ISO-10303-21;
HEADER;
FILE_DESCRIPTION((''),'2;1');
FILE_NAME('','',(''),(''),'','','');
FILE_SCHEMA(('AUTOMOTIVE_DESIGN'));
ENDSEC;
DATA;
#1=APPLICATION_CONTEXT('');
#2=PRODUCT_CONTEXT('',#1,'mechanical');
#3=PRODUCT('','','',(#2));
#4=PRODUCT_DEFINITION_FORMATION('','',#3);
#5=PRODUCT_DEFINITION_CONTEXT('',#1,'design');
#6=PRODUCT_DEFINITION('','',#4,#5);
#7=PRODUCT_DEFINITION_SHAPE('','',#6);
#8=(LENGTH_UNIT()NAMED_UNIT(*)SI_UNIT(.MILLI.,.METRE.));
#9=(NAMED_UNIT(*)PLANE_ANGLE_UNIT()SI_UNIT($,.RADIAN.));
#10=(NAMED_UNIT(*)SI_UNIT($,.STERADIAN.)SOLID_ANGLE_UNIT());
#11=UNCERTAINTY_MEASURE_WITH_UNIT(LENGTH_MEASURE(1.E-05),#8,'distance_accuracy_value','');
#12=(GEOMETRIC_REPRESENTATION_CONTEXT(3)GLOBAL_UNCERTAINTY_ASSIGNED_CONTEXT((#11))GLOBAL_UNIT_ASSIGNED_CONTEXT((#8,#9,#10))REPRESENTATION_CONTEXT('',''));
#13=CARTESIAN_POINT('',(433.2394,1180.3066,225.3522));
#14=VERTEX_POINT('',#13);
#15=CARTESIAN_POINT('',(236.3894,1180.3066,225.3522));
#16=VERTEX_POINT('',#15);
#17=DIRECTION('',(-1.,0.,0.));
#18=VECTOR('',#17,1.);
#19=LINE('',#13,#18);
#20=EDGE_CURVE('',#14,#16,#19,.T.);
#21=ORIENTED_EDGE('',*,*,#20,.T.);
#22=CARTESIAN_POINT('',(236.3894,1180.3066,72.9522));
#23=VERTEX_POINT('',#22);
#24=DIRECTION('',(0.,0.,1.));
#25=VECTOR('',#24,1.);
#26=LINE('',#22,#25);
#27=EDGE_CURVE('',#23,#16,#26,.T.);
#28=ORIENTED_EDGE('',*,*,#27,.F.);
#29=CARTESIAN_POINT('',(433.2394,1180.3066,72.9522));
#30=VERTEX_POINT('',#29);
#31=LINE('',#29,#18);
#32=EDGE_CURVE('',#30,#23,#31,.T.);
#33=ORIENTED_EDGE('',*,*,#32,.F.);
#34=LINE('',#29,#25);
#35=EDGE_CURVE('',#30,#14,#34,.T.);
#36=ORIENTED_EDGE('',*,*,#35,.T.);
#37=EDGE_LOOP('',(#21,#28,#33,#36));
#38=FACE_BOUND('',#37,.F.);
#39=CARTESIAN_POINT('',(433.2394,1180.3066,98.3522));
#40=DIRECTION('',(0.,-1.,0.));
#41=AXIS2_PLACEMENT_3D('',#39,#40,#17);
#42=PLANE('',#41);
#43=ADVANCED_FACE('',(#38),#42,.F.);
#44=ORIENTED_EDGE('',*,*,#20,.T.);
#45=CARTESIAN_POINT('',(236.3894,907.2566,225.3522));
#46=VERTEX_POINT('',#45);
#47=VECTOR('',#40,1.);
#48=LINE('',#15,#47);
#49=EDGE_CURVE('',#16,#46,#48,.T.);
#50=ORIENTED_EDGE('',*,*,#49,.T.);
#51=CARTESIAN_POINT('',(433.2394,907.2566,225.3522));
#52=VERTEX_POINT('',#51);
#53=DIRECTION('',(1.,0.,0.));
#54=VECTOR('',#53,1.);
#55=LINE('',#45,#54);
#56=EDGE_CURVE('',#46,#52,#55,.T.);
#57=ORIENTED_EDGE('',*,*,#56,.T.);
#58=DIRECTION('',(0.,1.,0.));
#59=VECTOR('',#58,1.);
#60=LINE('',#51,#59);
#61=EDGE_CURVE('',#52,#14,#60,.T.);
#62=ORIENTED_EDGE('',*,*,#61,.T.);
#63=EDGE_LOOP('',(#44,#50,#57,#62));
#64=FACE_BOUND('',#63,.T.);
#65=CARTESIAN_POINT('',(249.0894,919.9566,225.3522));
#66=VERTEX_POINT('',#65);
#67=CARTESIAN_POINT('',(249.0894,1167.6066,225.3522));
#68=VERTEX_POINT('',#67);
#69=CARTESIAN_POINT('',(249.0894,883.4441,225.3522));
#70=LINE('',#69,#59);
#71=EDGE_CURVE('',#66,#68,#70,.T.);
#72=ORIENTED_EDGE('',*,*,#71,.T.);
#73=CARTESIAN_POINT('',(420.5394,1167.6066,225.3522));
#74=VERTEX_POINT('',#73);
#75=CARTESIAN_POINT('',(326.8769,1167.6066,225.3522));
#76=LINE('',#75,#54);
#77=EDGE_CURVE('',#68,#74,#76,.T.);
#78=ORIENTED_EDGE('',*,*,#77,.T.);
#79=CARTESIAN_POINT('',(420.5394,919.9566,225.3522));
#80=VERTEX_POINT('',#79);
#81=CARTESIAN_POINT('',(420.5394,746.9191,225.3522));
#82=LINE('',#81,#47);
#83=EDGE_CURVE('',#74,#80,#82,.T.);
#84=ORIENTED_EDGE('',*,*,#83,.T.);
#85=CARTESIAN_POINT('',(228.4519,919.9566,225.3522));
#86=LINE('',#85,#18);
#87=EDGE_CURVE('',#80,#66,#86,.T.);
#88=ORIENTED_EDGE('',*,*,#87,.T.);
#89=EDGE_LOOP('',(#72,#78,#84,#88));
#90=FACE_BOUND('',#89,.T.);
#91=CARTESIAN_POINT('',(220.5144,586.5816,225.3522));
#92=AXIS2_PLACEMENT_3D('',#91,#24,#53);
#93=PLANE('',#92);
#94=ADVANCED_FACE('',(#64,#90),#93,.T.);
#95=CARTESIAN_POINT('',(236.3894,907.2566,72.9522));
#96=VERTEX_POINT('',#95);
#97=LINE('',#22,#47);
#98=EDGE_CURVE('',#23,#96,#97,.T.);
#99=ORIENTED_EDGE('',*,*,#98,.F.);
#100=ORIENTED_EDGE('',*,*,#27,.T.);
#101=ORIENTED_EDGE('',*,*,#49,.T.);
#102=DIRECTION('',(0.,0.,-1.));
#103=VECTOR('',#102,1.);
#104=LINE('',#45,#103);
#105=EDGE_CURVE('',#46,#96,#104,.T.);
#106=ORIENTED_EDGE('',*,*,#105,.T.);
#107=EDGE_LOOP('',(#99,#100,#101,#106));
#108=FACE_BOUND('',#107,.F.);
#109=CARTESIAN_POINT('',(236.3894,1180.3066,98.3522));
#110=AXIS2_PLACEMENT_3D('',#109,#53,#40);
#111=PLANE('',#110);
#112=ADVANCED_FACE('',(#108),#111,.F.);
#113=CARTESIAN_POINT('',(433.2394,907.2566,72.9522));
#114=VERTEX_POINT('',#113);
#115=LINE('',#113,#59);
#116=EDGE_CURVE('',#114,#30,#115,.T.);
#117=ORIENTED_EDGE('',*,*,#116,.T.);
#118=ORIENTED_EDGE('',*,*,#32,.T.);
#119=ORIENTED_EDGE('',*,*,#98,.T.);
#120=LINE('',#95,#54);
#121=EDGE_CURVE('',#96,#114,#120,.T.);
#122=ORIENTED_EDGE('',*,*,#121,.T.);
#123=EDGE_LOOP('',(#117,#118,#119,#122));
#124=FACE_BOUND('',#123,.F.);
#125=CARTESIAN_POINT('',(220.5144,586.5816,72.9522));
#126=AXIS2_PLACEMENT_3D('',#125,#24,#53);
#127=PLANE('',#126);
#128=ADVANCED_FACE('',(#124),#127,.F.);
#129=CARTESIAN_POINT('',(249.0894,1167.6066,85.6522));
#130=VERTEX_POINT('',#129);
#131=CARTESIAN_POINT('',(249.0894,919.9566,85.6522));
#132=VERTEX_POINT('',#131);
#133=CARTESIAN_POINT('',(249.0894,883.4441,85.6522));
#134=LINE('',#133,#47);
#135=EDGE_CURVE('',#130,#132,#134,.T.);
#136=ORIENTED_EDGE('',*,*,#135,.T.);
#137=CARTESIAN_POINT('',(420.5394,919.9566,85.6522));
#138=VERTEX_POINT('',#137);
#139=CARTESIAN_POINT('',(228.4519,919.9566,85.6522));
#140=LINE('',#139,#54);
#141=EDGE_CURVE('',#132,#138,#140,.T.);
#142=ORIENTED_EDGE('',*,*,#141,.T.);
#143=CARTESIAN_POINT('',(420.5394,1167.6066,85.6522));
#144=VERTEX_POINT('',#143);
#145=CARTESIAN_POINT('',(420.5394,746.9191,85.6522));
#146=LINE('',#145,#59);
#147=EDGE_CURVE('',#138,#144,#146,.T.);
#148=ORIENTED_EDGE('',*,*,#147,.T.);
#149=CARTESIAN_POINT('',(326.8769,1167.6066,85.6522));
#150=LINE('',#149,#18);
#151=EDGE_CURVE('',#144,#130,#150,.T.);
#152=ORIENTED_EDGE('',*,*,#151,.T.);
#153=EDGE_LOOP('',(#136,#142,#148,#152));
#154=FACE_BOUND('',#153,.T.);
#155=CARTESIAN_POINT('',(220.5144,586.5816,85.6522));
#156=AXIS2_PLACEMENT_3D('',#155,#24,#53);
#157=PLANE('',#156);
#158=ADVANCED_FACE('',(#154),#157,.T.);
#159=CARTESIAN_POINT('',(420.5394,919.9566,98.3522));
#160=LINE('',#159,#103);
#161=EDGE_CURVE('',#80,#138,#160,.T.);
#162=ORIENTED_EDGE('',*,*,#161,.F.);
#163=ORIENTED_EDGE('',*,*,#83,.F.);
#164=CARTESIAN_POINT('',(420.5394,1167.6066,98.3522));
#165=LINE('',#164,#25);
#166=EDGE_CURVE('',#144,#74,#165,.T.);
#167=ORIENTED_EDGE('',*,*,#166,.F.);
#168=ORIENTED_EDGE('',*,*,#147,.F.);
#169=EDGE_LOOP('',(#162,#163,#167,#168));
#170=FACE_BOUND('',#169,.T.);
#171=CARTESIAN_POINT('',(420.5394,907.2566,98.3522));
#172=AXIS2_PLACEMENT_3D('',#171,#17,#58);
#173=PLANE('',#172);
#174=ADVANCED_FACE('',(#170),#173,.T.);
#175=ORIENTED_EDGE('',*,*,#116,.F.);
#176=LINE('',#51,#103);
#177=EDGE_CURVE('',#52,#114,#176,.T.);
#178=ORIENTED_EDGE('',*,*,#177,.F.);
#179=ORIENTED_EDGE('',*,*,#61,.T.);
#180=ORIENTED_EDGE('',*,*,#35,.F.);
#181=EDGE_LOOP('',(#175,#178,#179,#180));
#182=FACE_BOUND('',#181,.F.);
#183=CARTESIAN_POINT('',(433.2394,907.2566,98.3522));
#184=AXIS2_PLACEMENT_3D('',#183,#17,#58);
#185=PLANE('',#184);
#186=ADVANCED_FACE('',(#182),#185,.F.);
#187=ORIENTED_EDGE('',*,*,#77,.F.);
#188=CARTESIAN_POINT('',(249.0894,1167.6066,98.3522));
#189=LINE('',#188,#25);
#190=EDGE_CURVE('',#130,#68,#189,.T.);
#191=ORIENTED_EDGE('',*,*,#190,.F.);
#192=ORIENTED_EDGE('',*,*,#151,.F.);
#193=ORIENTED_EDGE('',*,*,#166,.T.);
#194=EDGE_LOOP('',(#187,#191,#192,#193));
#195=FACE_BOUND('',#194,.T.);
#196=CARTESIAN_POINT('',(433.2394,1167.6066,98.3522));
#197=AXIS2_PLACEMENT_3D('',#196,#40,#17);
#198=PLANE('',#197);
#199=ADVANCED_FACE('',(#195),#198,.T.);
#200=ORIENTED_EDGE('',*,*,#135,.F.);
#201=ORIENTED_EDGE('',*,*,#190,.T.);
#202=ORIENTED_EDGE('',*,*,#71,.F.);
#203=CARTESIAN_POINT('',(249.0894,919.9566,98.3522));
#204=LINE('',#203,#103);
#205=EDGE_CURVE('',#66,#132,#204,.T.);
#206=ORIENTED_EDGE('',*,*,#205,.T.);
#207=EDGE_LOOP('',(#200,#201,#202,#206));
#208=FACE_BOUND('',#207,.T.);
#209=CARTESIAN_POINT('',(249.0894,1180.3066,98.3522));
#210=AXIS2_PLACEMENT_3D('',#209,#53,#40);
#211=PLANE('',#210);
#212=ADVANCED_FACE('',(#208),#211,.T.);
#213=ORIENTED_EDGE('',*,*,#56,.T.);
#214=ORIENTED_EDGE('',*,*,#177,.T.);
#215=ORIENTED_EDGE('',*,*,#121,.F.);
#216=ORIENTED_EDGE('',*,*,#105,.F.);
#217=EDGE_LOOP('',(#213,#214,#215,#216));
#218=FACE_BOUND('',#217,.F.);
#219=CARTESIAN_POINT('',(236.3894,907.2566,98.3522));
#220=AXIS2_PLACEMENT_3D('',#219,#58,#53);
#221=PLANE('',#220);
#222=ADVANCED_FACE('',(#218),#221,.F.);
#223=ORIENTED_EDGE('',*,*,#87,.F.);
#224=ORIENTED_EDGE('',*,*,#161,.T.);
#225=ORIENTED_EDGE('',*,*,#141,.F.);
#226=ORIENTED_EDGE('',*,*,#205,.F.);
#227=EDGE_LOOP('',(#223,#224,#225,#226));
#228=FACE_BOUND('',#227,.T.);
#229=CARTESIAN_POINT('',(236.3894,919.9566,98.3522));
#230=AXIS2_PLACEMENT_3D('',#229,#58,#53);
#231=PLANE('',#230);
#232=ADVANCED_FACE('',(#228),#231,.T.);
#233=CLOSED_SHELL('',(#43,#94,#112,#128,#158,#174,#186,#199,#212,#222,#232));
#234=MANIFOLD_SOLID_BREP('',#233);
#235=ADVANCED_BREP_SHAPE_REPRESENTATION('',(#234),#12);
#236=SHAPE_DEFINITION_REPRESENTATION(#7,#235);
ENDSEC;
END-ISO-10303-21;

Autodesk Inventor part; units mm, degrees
ref_plane "YZ Plane" through (0, 0, 0) normal (1, 0, 0) x (0, 1, 0)
ref_plane "XZ Plane" through (0, 0, 0) normal (0, 1, 0) x (-1, 0, 0)
ref_plane "Work Plane1" through (220.5144, 586.5816, 98.3522) normal (0, 0, 1) x (1, 0, 0)
sketch "Sketch1" plane through (220.5144, 586.5816, 98.3522) normal (0, 0, 1) x (1, 0, 0)
  line L0 (12.7, 622.3) -> (215.9, 622.3)
  line L1 (12.7, 317.5) -> (215.9, 317.5)
  line L2 (241.3, 317.5) -> (241.3, 596.9)
  line L3 (-12.7, 596.9) -> (-12.7, 317.5)
  line L4 (215.9, 596.9) -> (12.7, 596.9)
  line L5 (215.9, 596.9) -> (215.9, 317.5)
  line L6 (12.7, 317.5) -> (12.7, 596.9)
  line L7 (212.725, 593.725) -> (15.875, 593.725)
  line L8 (15.875, 593.725) -> (15.875, 320.675)
  line L9 (15.875, 320.675) -> (212.725, 320.675)
  line L10 (212.725, 320.675) -> (212.725, 593.725)
  point P0 (-220.5144, -586.5816)
extrude "Extrusion1" add sketch "Sketch1" along normal blind 127 and the other way blind 25.4 contours L10 L9 L8 L7
shell "Shell1" thickness 12.7 removed faces 1 at (302.006, 1089.2899, 225.3522)
sketch "Sketch2" plane through (433.2394, 907.2566, 225.3522) normal (1, 0, 0) x (0, 0, -1)
  line L0 (60.7883, 111.5047) -> (60.7883, 157.8998) construction
  line L1 (60.7883, 157.8998) -> (93.4131, 157.8998) construction
  line L2 (93.4131, 157.8998) -> (93.4131, 111.5047) construction
  line L3 (93.4131, 111.5047) -> (60.7883, 111.5047) construction
  line L4 (8.1411, 7.4346) -> (8.1411, 53.8297) construction
  line L5 (8.1411, 53.8297) -> (40.7659, 53.8297) construction
  line L6 (40.7659, 53.8297) -> (40.7659, 7.4346) construction
  line L7 (40.7659, 7.4346) -> (8.1411, 7.4346) construction
  point P0 (225.3522, -907.2566)
sketch "Sketch3" plane through (236.3894, 907.2566, 225.3522) normal (-1, 0, 0) x (0, 0, 1)
  line L0 (-60.5566, 163.513) -> (-60.5566, 117.1179) construction
  line L1 (-60.5566, 117.1179) -> (-93.1814, 117.1179) construction
  line L2 (-93.1814, 117.1179) -> (-93.1814, 163.513) construction
  line L3 (-93.1814, 163.513) -> (-60.5566, 163.513) construction
  line L4 (-5.4588, 268.4966) -> (-5.4588, 222.1014) construction
  line L5 (-5.4588, 222.1014) -> (-38.0836, 222.1014) construction
  line L6 (-38.0836, 222.1014) -> (-38.0836, 268.4966) construction
  line L7 (-38.0836, 268.4966) -> (-5.4588, 268.4966) construction
  point P0 (-225.3522, -907.2566)
properties part number "Bucket red"
